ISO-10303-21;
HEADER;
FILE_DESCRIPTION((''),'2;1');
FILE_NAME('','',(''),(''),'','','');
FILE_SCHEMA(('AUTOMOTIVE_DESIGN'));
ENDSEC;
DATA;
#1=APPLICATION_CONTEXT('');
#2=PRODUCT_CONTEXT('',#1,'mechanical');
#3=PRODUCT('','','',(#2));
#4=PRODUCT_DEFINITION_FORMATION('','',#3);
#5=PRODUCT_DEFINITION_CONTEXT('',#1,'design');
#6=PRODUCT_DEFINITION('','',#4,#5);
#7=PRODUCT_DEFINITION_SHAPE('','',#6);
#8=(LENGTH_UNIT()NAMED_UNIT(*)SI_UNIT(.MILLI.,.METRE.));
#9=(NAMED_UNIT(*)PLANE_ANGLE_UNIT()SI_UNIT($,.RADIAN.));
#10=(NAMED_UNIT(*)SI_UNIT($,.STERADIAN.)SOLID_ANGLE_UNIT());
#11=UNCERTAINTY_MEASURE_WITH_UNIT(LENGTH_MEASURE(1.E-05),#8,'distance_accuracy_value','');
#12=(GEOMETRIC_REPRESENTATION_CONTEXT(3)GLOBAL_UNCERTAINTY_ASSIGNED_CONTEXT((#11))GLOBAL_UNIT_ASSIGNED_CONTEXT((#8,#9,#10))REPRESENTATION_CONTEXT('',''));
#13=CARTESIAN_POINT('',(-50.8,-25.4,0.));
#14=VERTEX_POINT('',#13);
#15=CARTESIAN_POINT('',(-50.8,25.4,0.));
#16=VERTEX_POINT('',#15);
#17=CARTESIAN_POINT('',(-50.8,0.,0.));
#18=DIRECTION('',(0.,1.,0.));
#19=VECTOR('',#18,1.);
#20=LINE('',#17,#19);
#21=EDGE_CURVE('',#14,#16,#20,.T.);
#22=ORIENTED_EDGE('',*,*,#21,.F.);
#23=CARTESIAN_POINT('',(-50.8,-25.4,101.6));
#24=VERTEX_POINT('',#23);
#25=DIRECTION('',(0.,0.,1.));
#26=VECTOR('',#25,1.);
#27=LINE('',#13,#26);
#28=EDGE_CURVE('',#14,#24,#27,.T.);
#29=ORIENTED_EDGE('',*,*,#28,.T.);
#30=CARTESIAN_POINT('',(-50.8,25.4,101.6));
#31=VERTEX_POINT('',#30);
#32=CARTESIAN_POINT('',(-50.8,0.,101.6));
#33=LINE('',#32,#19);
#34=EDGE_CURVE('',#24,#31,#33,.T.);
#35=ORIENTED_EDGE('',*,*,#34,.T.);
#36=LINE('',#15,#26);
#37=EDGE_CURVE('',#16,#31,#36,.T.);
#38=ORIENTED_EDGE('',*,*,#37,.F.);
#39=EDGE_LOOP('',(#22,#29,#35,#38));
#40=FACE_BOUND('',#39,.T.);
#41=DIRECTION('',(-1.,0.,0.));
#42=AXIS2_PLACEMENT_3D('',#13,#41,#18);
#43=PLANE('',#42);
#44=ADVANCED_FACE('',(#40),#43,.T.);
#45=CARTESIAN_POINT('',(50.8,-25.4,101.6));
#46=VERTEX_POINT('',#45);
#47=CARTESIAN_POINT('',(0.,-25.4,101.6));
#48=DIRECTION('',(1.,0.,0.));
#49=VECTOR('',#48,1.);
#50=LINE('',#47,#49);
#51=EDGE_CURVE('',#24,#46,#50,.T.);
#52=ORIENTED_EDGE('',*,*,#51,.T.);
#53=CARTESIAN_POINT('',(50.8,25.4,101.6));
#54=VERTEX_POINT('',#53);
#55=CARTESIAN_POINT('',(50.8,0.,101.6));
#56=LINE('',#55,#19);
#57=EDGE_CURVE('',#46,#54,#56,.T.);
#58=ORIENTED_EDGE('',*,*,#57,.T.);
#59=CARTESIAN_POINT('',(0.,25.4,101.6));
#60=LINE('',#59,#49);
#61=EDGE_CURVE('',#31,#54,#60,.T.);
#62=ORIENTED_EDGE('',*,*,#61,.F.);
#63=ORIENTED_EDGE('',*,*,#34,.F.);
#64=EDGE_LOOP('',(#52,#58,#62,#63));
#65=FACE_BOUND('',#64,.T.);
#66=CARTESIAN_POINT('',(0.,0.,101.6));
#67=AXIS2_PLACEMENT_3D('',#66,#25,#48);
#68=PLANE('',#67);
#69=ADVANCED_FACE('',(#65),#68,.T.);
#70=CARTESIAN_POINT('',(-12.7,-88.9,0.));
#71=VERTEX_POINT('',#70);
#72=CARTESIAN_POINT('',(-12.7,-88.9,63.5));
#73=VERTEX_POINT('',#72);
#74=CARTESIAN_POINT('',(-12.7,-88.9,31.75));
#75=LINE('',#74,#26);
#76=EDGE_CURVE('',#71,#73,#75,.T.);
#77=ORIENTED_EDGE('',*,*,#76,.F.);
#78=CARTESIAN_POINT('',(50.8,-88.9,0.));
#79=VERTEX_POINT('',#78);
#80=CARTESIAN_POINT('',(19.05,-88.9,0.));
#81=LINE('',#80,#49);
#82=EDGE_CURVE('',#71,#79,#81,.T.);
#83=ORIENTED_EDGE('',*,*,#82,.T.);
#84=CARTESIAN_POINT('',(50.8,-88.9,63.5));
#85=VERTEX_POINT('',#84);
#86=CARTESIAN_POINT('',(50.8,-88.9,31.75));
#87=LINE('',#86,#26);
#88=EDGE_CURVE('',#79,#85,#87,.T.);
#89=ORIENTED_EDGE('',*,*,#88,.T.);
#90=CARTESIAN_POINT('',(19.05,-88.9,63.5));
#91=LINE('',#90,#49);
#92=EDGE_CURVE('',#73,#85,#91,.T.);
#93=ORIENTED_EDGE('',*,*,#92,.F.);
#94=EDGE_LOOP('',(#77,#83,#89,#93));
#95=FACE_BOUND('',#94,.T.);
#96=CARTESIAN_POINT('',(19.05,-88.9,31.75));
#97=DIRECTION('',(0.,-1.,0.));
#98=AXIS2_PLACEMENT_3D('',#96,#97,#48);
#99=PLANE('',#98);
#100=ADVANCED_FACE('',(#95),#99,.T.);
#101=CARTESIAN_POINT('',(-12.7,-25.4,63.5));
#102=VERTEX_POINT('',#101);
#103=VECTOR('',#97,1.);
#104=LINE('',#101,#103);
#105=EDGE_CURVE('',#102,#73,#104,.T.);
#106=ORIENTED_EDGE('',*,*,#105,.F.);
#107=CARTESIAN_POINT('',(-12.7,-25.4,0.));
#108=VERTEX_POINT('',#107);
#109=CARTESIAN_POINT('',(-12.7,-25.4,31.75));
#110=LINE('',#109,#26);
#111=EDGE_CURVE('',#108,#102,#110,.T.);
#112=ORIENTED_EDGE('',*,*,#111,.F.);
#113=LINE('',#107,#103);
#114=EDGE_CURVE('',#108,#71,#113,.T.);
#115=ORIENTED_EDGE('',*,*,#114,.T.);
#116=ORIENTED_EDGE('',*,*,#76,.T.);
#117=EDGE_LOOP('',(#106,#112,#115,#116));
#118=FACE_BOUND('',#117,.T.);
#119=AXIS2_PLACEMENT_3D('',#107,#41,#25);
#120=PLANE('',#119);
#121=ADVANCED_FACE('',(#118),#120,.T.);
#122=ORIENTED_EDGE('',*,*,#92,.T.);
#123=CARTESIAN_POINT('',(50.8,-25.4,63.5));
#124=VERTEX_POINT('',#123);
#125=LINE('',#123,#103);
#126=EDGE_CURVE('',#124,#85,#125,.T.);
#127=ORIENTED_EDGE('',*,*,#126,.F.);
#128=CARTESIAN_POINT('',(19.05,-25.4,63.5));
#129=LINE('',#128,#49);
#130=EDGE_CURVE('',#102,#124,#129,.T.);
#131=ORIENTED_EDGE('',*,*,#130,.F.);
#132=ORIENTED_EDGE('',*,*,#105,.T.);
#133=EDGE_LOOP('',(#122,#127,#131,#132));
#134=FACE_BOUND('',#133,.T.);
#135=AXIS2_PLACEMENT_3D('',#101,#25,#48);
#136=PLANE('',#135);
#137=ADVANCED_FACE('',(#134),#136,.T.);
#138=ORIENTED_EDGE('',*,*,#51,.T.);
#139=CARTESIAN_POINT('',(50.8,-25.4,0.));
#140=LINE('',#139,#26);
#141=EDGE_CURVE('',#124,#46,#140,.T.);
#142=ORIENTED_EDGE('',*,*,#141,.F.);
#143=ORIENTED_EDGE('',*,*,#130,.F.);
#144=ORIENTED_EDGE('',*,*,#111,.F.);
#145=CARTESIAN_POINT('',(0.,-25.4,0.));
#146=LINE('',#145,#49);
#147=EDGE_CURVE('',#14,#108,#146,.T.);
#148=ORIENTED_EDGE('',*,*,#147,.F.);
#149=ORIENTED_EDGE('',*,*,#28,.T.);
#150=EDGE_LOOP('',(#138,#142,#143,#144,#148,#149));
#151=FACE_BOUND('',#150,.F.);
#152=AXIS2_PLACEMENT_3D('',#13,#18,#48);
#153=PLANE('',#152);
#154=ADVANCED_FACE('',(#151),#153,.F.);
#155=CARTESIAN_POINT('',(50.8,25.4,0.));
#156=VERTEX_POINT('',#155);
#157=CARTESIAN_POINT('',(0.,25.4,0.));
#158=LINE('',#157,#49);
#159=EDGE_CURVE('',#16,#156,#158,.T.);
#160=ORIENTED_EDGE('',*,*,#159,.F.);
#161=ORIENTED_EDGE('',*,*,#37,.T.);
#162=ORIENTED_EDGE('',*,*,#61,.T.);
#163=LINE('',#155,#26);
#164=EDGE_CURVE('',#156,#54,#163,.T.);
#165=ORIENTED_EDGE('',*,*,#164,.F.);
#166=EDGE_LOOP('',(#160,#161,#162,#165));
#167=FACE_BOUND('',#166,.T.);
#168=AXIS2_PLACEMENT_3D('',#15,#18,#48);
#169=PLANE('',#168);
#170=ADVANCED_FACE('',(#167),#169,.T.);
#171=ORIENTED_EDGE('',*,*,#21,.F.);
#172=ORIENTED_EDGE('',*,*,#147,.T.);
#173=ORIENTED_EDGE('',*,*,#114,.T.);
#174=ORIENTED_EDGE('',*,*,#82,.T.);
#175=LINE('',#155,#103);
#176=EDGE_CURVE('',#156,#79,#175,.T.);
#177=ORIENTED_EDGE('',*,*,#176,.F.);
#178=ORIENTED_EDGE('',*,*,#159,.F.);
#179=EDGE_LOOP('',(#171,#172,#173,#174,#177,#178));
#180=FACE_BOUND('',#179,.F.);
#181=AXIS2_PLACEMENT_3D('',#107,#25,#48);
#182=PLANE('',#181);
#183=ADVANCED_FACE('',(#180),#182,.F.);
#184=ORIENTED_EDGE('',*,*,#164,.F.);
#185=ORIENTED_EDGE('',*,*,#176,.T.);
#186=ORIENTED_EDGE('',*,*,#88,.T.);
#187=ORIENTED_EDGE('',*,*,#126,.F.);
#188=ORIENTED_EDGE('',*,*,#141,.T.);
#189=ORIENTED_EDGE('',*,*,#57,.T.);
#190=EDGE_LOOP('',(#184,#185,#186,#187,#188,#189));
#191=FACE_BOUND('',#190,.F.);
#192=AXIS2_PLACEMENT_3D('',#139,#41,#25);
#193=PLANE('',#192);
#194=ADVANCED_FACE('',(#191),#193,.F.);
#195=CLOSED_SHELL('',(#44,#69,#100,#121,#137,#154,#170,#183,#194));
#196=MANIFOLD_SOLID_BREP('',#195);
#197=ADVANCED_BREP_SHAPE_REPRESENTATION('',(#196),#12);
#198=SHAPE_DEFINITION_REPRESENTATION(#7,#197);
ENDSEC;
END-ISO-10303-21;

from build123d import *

# Parameters (mm, degrees)
F0_W     = 101.6
F0_H     = 50.8
F1_DEPTH = 101.6
F2_W     = 63.5
F2_H     = 63.5
F3_DEPTH = 63.5


with BuildPart() as f1:
    # F0 (on Top) → F1 (new body)
    with BuildSketch(Plane.XY):
        Rectangle(F0_W, F0_H)
    extrude(amount=F1_DEPTH)

    # F2 (on face) → F3 (join)
    with BuildSketch(Plane.XZ.offset(25.4)):
        with Locations((19.05, 31.75)):
            Rectangle(F2_W, F2_H)
    extrude(amount=F3_DEPTH)


solid = f1.part
